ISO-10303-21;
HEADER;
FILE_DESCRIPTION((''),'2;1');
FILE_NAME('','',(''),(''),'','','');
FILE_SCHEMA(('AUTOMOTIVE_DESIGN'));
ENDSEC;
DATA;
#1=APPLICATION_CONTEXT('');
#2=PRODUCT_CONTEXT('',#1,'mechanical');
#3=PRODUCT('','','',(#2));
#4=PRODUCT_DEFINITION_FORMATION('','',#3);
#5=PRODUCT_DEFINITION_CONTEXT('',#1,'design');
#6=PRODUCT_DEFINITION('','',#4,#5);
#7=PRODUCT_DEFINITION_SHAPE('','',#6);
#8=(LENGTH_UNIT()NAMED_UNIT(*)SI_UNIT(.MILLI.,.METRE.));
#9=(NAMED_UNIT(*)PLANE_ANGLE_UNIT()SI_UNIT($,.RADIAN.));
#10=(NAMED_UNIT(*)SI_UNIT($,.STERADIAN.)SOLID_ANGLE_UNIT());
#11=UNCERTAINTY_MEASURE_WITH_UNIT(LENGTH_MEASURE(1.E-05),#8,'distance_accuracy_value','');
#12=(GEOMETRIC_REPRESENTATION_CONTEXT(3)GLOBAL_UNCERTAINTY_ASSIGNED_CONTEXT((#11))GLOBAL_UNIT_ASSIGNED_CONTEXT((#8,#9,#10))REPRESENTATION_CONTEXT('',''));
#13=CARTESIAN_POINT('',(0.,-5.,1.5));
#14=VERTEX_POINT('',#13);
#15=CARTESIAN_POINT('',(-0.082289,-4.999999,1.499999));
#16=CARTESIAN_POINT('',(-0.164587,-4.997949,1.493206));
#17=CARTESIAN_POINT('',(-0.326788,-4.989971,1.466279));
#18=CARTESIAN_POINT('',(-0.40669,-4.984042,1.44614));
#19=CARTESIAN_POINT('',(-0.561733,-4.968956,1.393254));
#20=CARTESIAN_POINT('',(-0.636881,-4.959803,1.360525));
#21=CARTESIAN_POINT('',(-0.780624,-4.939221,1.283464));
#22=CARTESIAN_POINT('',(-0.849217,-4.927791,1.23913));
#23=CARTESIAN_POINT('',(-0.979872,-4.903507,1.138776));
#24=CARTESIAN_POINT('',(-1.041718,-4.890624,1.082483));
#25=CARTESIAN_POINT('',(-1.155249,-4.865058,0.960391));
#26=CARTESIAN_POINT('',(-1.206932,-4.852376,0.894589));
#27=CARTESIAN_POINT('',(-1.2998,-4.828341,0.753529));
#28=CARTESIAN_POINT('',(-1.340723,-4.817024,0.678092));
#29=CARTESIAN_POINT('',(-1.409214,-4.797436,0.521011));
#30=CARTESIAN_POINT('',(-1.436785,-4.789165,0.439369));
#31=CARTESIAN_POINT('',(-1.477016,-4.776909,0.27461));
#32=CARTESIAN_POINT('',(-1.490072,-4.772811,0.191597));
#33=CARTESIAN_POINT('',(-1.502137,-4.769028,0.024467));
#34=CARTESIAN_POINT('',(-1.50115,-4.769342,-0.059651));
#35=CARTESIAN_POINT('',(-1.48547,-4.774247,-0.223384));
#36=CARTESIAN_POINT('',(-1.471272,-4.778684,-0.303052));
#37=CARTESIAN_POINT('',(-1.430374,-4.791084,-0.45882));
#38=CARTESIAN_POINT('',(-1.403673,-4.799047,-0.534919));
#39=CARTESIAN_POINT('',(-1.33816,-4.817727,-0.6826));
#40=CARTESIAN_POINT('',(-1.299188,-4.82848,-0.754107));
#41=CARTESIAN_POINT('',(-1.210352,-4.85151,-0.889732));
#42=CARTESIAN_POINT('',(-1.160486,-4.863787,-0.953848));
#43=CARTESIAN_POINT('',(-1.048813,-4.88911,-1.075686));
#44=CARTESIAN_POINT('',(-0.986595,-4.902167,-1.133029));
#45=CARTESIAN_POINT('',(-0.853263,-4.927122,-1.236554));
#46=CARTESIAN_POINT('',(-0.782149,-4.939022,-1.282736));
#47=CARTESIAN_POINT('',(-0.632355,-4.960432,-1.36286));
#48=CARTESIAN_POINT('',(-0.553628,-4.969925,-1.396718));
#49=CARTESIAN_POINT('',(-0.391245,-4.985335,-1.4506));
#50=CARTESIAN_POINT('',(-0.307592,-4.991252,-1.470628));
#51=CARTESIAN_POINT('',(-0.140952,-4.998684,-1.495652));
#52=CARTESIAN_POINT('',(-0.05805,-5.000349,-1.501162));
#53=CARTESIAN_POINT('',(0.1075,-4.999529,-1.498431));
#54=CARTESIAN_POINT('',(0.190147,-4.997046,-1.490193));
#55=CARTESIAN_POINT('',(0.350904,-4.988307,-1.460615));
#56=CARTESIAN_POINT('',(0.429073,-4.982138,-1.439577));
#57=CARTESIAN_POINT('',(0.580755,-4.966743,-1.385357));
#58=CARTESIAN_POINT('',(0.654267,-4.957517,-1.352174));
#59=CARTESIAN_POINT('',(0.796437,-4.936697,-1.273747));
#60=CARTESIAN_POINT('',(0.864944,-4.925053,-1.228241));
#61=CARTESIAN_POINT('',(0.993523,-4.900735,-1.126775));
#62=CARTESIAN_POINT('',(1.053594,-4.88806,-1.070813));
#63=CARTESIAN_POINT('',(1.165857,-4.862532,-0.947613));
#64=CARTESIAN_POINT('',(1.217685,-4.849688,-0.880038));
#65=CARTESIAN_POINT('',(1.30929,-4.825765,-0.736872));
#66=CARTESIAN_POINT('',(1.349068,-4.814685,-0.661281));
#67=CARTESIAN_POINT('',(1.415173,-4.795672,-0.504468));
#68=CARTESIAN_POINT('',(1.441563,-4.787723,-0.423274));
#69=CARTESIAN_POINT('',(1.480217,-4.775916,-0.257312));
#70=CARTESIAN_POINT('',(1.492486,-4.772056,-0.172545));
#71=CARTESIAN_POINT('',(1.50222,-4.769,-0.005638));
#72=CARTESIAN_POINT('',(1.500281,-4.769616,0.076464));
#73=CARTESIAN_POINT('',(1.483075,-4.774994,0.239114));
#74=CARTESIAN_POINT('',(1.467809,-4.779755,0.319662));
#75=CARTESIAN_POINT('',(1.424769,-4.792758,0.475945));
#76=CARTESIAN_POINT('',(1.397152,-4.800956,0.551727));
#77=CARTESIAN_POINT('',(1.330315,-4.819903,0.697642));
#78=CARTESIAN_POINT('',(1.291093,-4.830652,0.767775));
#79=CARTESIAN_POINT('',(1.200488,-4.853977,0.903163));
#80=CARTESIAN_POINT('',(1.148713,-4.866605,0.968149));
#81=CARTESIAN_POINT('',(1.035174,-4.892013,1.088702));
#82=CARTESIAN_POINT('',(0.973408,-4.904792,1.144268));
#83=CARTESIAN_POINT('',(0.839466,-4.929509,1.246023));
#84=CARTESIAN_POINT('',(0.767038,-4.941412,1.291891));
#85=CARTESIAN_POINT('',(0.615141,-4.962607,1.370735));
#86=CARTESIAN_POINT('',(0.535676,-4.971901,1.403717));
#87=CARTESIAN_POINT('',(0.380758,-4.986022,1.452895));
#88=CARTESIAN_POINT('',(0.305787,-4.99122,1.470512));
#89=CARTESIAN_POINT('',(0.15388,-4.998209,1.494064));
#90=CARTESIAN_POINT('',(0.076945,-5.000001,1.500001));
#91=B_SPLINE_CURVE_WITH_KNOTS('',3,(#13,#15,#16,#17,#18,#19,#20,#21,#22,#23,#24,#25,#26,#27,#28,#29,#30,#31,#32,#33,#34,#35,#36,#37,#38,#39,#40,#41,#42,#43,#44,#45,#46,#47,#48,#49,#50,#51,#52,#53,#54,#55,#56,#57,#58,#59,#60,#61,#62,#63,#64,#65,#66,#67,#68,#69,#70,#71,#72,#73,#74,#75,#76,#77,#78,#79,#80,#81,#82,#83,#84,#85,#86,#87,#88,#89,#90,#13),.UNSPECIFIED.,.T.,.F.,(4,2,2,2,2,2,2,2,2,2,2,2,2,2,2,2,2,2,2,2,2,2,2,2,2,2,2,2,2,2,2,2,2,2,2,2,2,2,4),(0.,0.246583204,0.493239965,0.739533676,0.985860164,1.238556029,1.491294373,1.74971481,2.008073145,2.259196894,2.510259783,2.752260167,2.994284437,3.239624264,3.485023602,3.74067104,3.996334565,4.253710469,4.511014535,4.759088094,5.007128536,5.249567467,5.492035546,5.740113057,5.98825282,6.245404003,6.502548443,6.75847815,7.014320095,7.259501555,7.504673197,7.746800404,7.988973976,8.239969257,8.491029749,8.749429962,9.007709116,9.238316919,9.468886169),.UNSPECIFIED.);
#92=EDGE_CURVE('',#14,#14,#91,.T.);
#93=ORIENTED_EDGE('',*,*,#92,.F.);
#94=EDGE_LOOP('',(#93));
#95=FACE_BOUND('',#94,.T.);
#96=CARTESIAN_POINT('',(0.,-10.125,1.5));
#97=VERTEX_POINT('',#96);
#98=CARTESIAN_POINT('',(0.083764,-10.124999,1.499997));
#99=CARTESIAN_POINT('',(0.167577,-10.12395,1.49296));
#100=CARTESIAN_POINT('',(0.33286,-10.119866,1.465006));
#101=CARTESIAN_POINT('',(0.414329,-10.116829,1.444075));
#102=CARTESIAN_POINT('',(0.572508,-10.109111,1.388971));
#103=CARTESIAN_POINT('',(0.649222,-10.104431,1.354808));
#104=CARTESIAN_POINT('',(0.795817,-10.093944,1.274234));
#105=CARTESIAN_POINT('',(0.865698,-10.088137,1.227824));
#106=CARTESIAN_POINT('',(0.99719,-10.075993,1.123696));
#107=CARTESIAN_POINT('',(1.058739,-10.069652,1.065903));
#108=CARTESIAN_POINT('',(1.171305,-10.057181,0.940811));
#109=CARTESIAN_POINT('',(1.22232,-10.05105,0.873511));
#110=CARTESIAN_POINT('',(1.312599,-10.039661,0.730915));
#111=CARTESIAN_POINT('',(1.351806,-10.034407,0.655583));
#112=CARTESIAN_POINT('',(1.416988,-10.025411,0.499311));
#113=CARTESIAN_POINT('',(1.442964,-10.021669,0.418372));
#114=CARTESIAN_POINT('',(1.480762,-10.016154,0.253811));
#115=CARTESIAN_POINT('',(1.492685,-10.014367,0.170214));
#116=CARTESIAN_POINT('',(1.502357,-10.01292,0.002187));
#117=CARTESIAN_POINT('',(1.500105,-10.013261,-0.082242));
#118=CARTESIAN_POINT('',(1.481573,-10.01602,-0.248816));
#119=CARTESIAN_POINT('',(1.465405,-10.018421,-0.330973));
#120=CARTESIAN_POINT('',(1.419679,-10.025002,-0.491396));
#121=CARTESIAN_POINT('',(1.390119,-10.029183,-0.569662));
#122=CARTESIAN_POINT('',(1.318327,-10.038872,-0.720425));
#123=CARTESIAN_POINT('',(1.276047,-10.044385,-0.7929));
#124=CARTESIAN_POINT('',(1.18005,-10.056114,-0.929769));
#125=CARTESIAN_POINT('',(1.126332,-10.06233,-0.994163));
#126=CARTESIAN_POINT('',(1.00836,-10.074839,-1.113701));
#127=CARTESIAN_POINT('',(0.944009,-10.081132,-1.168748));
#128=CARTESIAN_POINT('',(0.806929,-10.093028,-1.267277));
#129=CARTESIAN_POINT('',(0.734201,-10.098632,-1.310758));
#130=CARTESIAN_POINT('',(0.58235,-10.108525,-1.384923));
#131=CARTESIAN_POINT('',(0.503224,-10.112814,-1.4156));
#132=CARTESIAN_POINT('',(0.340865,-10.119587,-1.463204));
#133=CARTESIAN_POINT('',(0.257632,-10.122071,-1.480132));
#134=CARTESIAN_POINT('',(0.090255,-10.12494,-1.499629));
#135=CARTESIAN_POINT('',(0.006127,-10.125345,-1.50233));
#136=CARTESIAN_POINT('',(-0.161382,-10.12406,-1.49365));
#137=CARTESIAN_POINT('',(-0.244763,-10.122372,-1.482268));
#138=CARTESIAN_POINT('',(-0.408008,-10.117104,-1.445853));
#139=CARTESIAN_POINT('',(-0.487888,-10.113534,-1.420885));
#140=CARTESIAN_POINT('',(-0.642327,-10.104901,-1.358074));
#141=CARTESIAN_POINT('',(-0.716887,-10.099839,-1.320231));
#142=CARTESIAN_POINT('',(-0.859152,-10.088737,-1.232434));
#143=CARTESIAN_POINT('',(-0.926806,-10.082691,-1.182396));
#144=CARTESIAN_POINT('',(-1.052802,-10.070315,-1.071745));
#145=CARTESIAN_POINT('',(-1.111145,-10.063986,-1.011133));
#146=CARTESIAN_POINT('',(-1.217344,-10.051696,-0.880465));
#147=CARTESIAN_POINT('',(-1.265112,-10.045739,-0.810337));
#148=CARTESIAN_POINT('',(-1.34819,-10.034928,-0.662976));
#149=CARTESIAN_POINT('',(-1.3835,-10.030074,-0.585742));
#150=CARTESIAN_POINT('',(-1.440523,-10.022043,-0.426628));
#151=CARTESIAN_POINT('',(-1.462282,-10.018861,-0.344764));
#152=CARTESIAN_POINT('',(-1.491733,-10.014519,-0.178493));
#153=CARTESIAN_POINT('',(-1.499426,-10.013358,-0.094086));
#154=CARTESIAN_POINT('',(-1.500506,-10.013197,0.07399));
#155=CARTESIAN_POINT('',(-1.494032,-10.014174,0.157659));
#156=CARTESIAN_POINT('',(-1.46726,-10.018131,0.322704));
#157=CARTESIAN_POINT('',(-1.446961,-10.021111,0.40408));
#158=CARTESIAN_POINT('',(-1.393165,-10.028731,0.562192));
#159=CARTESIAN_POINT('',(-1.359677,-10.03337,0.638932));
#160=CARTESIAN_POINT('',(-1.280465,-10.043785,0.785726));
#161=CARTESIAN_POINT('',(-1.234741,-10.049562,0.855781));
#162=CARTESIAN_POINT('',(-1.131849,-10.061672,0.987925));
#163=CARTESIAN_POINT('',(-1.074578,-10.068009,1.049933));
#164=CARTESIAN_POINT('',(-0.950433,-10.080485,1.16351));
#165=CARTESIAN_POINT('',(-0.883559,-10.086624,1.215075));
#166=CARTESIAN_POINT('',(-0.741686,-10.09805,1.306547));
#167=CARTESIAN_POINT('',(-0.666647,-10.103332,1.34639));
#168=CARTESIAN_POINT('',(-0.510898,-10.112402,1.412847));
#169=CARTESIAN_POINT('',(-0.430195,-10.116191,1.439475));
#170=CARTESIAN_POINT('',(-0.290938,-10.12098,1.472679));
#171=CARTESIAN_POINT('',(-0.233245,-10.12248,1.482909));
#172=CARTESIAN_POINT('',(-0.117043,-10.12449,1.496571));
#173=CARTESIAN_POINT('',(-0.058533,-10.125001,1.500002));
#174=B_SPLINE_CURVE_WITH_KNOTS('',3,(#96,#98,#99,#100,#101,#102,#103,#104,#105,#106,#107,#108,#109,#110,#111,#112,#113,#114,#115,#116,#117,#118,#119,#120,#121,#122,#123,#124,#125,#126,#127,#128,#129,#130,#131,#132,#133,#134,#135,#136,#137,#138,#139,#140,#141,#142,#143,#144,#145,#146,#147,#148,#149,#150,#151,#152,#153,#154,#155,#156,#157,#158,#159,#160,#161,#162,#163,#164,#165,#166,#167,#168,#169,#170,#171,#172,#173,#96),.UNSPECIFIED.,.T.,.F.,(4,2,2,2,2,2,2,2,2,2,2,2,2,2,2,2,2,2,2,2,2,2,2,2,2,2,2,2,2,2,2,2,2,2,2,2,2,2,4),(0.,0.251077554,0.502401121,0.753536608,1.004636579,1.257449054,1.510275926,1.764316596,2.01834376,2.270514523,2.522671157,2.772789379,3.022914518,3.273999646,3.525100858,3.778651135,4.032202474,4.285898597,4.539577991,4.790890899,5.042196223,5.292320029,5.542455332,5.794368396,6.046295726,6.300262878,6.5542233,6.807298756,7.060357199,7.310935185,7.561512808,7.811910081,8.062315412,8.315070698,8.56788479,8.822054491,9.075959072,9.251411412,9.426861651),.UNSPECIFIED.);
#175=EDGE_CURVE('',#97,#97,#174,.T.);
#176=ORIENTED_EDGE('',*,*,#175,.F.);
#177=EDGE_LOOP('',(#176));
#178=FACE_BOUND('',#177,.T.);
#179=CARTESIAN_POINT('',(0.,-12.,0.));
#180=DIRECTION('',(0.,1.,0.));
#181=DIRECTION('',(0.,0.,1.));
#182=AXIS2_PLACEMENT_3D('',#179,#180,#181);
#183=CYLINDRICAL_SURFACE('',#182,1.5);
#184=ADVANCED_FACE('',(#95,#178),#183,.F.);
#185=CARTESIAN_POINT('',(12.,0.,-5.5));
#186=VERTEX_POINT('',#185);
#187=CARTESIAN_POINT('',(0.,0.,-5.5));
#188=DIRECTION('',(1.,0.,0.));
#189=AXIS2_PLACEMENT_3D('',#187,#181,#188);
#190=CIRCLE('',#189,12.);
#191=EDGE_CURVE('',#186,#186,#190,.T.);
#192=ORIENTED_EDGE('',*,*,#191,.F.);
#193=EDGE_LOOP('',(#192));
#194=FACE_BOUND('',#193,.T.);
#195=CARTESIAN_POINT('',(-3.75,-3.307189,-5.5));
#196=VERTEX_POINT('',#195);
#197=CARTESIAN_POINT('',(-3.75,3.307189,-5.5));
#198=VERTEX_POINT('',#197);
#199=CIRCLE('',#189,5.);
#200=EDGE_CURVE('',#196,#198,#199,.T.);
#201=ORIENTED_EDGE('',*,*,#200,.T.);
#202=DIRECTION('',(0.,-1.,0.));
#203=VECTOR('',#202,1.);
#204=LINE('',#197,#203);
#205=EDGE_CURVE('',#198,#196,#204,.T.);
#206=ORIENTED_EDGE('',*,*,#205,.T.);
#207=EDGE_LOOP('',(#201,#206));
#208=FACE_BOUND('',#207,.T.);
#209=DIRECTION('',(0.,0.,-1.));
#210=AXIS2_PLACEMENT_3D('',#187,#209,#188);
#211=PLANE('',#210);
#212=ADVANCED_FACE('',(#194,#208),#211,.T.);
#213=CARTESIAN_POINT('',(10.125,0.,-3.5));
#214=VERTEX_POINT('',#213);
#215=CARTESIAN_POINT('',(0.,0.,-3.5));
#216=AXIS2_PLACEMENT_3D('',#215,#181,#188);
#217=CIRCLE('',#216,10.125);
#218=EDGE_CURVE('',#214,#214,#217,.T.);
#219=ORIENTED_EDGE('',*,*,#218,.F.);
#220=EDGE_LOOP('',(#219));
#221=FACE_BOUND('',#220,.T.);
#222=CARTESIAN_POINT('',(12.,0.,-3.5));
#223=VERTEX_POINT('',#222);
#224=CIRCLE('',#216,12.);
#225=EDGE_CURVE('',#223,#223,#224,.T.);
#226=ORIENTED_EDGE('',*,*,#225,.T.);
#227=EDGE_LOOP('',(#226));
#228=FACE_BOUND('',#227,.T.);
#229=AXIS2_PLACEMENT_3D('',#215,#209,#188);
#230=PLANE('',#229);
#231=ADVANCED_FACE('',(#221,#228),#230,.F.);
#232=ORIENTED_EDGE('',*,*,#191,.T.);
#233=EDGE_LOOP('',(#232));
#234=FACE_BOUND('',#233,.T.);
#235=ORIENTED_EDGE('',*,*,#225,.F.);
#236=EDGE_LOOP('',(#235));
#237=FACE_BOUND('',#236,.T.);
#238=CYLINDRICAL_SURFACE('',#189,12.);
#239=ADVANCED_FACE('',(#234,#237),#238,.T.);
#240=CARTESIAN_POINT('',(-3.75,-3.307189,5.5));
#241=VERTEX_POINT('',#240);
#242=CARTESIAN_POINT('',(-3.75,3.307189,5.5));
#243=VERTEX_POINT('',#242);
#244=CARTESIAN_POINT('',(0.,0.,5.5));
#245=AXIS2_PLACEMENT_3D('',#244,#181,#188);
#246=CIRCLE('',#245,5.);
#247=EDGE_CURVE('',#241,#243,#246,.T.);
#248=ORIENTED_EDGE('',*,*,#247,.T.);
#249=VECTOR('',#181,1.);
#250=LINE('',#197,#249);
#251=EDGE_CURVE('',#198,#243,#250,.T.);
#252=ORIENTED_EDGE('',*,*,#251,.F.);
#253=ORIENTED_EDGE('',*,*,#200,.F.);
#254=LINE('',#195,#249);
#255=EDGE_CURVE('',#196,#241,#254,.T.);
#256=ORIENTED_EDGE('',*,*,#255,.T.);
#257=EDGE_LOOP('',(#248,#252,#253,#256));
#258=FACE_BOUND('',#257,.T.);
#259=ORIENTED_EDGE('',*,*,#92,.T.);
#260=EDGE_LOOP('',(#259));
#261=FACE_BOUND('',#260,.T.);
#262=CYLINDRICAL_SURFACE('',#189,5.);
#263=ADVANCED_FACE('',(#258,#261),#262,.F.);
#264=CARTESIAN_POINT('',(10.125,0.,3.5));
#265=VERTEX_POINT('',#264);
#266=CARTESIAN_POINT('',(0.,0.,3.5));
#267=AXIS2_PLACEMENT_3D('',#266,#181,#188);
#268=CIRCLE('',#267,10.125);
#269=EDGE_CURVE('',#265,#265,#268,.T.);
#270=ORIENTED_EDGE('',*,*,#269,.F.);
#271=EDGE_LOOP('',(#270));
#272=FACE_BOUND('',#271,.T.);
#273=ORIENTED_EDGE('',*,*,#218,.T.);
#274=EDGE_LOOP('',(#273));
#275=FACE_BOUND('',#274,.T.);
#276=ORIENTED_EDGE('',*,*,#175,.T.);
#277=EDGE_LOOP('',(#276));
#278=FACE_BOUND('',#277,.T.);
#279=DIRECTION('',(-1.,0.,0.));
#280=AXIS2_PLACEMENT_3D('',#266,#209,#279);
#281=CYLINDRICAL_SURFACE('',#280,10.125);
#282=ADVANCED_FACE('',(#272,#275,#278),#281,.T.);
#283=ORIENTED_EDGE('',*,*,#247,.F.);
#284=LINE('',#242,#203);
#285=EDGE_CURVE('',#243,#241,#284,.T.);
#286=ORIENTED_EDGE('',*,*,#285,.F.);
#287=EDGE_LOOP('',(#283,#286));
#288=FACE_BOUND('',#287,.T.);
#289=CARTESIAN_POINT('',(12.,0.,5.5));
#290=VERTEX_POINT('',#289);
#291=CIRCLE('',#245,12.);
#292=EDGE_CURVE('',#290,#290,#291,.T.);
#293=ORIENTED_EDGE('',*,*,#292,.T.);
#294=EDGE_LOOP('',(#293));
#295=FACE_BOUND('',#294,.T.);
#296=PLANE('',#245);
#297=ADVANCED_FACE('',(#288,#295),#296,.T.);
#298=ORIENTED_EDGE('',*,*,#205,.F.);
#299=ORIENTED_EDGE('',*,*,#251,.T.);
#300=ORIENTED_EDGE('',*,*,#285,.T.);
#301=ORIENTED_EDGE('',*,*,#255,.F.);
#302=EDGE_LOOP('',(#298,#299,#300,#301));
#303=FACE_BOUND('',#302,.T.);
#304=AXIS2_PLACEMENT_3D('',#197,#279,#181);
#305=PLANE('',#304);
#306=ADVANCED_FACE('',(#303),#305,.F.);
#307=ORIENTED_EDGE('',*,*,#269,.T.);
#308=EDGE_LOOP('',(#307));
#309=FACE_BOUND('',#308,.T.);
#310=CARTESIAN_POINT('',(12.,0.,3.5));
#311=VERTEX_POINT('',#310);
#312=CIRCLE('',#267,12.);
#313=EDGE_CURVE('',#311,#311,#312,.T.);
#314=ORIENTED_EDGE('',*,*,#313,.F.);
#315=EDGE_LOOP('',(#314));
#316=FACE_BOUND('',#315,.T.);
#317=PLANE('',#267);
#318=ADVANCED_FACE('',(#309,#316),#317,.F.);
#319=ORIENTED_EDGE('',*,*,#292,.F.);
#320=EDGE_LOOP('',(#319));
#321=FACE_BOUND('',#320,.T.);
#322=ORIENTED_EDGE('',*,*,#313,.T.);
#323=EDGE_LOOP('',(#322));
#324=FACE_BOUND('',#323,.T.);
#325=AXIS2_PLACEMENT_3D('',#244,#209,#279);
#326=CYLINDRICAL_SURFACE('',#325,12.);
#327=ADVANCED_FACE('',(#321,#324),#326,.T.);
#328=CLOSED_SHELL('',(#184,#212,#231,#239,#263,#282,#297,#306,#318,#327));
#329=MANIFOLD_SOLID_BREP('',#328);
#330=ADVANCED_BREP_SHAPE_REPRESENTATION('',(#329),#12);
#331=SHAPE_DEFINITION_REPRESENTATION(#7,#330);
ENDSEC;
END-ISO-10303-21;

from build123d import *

# Parameters (mm, degrees)
SKETCH_1_R          = 10.125
EXTRUDE_1_DEPTH     = 3.5
SKETCH_2_R          = 12
EXTRUDE_2_DEPTH     = 2
CUT_EXTRUDE_1_DEPTH = 21.223748416
SKETCH_4_R          = 1.5
CUT_EXTRUDE_2_DEPTH = 18.839562775


with BuildPart() as part:
    # 草图1 → 凸台-拉伸1 (new, symmetric)
    with BuildSketch(Plane.XY):
        Circle(SKETCH_1_R)
    extrude(amount=EXTRUDE_1_DEPTH, both=True)

    # 草图2 → 凸台-拉伸2 (add)
    with BuildSketch(Plane.XY.offset(3.5)):
        Circle(SKETCH_2_R)
    extrude_2 = extrude(amount=EXTRUDE_2_DEPTH)

    # 镜向1: 凸台-拉伸2 across plane
    add(extrude_2.mirror(Plane.XY))

    # 草图3 → 切除-拉伸1 (cut, through all)
    with BuildSketch(Plane.XY.offset(5.5)):
        with BuildLine():
            Line((-3.75, 3.307189139), (-3.75, -3.307189139))
            ThreePointArc((-3.75, -3.307189139), (5, 0), (-3.75, 3.307189139))
        make_face()
    extrude(amount=-CUT_EXTRUDE_1_DEPTH, mode=Mode.SUBTRACT)

    # 草图4 → 切除-拉伸2 (cut, through all)
    with BuildSketch(Plane(origin=(0, 0, 0), x_dir=(1, 0, 0), z_dir=(0, 1, 0))):
        with Locations(Location((0, 0, 0), (0, 0, 270))):
            Circle(SKETCH_4_R)
    extrude(amount=-CUT_EXTRUDE_2_DEPTH, mode=Mode.SUBTRACT)


solid = part.part
